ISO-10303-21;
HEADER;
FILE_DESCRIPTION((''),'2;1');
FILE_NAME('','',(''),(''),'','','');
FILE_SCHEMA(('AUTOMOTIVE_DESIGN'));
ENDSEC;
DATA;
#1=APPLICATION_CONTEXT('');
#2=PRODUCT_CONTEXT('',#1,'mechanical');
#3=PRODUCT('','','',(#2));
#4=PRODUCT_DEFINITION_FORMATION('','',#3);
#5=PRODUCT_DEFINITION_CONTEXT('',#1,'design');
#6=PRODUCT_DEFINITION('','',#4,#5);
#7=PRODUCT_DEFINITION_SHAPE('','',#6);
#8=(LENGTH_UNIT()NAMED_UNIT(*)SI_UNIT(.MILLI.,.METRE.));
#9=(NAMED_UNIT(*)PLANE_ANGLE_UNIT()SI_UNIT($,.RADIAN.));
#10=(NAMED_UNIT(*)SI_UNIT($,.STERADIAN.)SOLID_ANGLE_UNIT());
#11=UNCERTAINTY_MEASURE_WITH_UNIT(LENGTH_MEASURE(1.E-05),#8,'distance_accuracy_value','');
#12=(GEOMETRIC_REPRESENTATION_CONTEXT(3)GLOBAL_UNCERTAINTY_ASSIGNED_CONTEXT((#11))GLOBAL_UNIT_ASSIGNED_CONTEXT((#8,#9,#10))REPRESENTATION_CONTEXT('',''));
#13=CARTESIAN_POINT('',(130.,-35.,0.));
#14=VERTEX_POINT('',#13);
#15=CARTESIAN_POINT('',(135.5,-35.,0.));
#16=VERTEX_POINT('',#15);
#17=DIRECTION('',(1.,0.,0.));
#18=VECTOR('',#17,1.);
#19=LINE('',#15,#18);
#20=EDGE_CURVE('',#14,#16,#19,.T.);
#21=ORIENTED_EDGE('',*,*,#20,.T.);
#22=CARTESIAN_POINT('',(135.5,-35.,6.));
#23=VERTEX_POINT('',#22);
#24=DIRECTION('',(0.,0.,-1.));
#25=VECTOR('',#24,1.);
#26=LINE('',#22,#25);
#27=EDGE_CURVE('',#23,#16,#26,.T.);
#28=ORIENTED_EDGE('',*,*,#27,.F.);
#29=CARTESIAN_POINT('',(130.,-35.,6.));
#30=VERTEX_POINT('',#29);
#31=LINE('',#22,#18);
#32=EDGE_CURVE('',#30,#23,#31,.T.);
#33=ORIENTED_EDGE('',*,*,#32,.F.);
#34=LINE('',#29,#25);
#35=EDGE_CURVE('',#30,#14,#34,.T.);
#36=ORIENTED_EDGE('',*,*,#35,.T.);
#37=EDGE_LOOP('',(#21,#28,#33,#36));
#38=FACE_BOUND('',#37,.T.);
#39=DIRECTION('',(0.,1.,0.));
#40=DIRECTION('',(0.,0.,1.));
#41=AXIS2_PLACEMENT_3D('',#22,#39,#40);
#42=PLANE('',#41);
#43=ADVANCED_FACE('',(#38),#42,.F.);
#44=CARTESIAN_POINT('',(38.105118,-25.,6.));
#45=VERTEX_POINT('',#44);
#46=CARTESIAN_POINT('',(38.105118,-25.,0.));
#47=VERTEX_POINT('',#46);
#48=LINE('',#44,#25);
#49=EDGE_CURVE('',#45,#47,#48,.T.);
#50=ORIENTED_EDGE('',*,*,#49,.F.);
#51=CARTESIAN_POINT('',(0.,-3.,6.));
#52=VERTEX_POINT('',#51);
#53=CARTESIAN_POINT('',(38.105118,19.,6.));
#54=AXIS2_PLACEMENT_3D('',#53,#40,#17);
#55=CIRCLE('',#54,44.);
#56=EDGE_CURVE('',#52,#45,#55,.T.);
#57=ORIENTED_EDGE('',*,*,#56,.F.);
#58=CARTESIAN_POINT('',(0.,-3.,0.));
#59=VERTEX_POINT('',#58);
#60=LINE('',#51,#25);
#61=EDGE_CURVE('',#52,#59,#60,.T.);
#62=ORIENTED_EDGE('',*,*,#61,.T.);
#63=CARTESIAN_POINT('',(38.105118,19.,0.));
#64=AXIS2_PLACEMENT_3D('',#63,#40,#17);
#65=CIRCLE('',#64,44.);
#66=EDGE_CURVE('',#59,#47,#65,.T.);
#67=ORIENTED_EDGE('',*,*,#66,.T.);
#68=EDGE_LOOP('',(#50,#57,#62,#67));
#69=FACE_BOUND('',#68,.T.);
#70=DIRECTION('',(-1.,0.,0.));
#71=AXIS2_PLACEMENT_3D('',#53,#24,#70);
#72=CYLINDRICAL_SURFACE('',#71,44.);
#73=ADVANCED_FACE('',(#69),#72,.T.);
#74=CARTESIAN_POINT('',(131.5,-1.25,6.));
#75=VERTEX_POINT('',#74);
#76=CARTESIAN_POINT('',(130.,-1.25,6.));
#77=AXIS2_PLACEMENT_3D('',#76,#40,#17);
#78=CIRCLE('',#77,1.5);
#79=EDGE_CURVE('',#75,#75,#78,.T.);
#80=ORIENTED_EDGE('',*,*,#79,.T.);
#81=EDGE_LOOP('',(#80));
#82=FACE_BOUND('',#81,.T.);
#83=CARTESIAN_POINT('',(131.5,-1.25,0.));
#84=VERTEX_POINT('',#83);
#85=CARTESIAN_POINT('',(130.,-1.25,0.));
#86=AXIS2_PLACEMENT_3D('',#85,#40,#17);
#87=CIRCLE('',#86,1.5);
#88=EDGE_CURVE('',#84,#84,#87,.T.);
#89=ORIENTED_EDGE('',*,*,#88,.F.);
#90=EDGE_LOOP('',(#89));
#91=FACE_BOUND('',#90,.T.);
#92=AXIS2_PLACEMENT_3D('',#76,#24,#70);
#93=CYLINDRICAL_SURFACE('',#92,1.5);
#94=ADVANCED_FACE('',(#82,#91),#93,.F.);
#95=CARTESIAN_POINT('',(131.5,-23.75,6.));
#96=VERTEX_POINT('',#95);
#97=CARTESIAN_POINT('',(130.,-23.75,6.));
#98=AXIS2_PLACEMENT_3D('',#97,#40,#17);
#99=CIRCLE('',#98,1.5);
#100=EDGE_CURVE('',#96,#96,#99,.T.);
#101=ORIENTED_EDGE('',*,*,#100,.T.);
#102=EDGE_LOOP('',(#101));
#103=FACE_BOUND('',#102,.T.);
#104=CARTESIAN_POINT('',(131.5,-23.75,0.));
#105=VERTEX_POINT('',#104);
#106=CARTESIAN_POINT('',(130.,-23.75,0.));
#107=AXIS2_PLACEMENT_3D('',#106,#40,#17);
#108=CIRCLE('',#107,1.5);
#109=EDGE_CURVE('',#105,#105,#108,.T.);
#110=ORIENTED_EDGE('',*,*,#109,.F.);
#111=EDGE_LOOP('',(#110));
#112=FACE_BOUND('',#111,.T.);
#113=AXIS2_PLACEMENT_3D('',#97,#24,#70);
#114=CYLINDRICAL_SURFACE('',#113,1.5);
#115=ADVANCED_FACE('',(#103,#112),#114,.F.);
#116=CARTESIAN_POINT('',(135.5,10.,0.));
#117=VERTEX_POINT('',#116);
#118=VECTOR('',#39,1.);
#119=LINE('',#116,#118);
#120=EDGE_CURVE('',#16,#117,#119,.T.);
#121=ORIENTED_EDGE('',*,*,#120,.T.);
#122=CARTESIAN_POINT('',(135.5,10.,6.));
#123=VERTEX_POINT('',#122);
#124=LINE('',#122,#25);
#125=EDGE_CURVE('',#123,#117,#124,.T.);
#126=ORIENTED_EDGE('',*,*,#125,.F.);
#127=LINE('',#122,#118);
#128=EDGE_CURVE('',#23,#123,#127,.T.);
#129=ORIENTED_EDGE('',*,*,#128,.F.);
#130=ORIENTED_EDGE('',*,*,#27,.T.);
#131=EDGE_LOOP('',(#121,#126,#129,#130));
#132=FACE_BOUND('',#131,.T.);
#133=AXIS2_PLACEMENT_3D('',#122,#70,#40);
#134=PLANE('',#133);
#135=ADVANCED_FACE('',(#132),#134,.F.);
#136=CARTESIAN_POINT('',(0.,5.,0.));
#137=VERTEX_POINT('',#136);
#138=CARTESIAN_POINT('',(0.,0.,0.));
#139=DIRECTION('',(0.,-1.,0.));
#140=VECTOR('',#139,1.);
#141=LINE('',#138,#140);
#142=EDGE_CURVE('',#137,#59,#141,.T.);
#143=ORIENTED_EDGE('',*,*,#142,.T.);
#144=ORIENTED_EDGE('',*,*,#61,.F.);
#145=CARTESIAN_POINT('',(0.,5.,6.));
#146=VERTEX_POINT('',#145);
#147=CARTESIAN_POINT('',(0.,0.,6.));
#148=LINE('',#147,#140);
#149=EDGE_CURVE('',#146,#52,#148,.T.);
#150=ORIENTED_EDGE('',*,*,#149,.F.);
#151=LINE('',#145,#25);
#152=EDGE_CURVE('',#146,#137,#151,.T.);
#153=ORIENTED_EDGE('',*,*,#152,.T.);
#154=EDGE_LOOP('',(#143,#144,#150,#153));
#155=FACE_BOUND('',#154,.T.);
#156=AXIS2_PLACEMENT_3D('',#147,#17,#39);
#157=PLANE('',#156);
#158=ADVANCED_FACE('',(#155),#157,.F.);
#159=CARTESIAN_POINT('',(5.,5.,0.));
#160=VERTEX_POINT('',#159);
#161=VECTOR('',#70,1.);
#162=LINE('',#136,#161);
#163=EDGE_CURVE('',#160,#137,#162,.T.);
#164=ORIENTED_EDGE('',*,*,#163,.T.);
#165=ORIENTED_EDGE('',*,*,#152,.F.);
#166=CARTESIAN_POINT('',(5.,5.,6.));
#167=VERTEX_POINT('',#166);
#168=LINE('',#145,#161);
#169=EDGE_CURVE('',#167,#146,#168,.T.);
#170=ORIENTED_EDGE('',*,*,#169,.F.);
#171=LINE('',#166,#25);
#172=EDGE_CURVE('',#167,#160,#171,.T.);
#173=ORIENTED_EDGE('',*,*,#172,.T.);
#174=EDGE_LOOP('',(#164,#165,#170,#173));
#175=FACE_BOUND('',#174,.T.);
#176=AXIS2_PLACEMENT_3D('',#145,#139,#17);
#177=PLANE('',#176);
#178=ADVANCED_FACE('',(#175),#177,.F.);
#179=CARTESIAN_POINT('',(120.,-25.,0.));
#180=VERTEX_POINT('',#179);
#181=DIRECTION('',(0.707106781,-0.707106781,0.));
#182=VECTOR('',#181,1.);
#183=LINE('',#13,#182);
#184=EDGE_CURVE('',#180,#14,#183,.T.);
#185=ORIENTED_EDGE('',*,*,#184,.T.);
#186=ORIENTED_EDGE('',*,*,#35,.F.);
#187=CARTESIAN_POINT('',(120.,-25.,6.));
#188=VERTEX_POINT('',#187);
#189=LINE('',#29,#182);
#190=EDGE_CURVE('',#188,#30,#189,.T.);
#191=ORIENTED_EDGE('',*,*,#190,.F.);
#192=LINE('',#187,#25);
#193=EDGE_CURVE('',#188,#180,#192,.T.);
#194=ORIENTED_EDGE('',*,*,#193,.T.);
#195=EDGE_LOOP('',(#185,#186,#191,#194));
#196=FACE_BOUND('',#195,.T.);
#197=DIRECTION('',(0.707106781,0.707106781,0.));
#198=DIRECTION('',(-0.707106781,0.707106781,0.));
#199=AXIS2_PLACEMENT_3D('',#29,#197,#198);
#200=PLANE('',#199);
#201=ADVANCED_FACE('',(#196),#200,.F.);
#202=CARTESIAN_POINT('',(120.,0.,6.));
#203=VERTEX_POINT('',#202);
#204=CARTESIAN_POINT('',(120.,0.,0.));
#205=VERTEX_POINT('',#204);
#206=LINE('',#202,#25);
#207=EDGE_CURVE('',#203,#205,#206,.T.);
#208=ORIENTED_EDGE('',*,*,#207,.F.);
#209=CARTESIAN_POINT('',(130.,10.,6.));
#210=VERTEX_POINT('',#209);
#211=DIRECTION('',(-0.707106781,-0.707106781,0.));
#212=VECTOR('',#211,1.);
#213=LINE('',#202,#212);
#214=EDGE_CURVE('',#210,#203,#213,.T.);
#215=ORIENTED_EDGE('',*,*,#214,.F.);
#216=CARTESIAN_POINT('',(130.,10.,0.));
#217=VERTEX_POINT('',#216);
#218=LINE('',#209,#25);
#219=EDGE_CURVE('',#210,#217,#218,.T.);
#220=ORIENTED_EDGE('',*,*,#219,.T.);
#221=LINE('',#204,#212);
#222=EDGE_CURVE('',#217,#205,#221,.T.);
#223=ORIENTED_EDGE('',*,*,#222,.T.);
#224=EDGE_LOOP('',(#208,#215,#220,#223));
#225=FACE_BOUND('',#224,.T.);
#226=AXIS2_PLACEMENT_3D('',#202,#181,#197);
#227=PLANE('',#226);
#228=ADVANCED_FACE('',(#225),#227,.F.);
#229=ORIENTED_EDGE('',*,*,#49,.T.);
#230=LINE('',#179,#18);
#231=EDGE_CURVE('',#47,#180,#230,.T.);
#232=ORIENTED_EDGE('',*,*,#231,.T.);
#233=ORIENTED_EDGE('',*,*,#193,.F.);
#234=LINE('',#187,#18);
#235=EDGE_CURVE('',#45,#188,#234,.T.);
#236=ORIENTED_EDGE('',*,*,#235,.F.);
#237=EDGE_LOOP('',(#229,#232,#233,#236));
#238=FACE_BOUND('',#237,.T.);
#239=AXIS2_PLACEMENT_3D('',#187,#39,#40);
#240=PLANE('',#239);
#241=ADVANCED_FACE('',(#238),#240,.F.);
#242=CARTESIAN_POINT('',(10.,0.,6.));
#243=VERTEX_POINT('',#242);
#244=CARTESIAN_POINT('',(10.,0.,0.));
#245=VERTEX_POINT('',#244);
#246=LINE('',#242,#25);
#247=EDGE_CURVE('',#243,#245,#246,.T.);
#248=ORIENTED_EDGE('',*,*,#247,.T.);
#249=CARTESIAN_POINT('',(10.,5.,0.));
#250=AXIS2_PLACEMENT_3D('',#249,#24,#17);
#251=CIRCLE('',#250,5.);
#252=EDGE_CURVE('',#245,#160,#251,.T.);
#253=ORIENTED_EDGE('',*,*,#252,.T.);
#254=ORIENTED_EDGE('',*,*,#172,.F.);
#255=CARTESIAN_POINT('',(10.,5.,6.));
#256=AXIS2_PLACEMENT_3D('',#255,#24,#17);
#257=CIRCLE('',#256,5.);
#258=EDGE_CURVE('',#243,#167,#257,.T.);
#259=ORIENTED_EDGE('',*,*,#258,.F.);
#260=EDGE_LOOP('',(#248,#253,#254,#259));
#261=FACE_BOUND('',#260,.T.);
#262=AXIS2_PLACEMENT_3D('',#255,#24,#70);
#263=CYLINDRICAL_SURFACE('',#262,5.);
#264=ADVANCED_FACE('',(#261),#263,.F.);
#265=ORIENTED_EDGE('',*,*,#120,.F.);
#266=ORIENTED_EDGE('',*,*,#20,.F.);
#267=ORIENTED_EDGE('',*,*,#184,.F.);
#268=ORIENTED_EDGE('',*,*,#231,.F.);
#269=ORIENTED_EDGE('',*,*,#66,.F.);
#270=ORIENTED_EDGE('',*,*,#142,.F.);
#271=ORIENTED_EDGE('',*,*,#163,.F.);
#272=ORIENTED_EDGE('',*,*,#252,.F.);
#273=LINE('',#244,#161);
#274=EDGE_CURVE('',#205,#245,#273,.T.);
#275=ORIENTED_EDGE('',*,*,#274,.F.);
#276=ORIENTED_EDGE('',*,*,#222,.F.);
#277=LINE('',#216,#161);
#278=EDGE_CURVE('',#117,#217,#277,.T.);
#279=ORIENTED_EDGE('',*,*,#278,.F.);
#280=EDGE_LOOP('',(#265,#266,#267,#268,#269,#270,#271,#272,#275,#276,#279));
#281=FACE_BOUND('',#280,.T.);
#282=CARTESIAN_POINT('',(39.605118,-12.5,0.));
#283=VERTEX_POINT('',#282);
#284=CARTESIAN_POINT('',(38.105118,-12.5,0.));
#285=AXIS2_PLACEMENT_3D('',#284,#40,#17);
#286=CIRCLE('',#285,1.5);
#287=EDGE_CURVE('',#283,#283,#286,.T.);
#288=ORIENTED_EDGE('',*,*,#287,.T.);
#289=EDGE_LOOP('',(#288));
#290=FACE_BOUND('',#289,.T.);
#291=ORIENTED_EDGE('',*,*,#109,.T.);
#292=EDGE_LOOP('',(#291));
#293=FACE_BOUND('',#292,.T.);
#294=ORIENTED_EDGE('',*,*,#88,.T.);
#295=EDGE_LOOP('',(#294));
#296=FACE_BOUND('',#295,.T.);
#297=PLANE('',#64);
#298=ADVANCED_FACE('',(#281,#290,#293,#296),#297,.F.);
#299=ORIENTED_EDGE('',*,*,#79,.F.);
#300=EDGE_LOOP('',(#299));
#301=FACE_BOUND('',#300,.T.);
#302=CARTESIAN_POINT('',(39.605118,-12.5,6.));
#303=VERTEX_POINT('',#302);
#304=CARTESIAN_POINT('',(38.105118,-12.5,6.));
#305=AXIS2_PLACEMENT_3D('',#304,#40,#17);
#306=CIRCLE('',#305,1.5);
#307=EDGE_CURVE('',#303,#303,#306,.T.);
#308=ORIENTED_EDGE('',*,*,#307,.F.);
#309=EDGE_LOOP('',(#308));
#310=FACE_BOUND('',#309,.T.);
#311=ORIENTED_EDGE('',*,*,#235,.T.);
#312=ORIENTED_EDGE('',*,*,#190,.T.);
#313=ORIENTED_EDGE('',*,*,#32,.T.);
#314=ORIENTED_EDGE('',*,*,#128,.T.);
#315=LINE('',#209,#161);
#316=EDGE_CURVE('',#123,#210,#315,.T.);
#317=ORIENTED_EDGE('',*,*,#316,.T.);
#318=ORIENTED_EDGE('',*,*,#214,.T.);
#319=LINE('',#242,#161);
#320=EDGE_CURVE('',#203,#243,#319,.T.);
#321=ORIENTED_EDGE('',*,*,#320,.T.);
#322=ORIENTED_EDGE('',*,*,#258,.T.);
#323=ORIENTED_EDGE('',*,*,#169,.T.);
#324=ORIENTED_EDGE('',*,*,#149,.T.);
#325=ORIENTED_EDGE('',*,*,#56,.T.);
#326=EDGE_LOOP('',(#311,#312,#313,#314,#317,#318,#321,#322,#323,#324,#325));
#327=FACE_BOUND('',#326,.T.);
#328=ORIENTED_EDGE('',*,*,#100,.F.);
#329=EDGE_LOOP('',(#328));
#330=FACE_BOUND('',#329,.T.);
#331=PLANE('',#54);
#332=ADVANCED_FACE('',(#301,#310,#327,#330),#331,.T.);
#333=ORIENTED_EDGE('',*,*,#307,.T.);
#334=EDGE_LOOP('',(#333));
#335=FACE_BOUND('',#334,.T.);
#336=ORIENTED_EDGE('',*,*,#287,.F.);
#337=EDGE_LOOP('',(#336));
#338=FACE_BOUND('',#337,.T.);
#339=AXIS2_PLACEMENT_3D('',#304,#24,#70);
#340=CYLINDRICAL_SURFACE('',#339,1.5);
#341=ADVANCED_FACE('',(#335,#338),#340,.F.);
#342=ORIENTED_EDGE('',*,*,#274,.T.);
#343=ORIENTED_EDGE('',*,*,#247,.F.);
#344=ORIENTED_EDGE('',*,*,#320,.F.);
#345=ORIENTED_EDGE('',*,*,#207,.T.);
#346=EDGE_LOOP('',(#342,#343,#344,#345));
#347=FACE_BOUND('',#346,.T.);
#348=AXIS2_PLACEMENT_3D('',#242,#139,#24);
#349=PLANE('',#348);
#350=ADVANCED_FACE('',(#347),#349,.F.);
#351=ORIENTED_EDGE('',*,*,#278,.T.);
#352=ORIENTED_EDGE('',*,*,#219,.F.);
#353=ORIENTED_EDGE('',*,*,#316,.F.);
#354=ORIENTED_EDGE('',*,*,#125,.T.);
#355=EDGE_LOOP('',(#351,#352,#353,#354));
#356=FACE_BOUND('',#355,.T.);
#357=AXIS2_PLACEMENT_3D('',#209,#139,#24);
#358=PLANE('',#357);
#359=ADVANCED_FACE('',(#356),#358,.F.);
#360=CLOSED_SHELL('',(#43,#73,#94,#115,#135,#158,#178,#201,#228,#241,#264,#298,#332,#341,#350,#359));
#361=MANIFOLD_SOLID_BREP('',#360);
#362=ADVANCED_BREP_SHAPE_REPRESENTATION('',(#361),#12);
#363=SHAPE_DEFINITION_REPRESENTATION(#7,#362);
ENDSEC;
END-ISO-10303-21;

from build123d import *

# Parameters (mm, degrees)
SKETCH1_R           = 1.5
BOSS_EXTRUDE1_DEPTH = 6


with BuildPart() as part:
    # Sketch1 → Boss-Extrude1 (new body)
    with BuildSketch(Plane.XY):
        with BuildLine():
            Line((120, -25), (38.105117767, -25))
            ThreePointArc((38.105117767, -25), (16.105117767, -19.105117767), (0, -3))
            Line((0, -3), (0, 0))
            Line((0, 0), (0, 5))
            Line((0, 5), (5, 5))
            ThreePointArc((5, 5), (6.464466094, 1.464466094), (10, 0))
            Line((10, 0), (120, 0))
            Line((120, 0), (130, 10))
            Line((130, 10), (135.5, 10))
            Line((135.5, 10), (135.5, -35))
            Line((135.5, -35), (130, -35))
            Line((130, -35), (120, -25))
        make_face()
        with Locations((130, -1.25)):
            Circle(SKETCH1_R, mode=Mode.SUBTRACT)
        with Locations((130, -23.75)):
            Circle(SKETCH1_R, mode=Mode.SUBTRACT)
        with Locations((38.105117767, -12.5)):
            Circle(SKETCH1_R, mode=Mode.SUBTRACT)
    extrude(amount=BOSS_EXTRUDE1_DEPTH)


solid = part.part
